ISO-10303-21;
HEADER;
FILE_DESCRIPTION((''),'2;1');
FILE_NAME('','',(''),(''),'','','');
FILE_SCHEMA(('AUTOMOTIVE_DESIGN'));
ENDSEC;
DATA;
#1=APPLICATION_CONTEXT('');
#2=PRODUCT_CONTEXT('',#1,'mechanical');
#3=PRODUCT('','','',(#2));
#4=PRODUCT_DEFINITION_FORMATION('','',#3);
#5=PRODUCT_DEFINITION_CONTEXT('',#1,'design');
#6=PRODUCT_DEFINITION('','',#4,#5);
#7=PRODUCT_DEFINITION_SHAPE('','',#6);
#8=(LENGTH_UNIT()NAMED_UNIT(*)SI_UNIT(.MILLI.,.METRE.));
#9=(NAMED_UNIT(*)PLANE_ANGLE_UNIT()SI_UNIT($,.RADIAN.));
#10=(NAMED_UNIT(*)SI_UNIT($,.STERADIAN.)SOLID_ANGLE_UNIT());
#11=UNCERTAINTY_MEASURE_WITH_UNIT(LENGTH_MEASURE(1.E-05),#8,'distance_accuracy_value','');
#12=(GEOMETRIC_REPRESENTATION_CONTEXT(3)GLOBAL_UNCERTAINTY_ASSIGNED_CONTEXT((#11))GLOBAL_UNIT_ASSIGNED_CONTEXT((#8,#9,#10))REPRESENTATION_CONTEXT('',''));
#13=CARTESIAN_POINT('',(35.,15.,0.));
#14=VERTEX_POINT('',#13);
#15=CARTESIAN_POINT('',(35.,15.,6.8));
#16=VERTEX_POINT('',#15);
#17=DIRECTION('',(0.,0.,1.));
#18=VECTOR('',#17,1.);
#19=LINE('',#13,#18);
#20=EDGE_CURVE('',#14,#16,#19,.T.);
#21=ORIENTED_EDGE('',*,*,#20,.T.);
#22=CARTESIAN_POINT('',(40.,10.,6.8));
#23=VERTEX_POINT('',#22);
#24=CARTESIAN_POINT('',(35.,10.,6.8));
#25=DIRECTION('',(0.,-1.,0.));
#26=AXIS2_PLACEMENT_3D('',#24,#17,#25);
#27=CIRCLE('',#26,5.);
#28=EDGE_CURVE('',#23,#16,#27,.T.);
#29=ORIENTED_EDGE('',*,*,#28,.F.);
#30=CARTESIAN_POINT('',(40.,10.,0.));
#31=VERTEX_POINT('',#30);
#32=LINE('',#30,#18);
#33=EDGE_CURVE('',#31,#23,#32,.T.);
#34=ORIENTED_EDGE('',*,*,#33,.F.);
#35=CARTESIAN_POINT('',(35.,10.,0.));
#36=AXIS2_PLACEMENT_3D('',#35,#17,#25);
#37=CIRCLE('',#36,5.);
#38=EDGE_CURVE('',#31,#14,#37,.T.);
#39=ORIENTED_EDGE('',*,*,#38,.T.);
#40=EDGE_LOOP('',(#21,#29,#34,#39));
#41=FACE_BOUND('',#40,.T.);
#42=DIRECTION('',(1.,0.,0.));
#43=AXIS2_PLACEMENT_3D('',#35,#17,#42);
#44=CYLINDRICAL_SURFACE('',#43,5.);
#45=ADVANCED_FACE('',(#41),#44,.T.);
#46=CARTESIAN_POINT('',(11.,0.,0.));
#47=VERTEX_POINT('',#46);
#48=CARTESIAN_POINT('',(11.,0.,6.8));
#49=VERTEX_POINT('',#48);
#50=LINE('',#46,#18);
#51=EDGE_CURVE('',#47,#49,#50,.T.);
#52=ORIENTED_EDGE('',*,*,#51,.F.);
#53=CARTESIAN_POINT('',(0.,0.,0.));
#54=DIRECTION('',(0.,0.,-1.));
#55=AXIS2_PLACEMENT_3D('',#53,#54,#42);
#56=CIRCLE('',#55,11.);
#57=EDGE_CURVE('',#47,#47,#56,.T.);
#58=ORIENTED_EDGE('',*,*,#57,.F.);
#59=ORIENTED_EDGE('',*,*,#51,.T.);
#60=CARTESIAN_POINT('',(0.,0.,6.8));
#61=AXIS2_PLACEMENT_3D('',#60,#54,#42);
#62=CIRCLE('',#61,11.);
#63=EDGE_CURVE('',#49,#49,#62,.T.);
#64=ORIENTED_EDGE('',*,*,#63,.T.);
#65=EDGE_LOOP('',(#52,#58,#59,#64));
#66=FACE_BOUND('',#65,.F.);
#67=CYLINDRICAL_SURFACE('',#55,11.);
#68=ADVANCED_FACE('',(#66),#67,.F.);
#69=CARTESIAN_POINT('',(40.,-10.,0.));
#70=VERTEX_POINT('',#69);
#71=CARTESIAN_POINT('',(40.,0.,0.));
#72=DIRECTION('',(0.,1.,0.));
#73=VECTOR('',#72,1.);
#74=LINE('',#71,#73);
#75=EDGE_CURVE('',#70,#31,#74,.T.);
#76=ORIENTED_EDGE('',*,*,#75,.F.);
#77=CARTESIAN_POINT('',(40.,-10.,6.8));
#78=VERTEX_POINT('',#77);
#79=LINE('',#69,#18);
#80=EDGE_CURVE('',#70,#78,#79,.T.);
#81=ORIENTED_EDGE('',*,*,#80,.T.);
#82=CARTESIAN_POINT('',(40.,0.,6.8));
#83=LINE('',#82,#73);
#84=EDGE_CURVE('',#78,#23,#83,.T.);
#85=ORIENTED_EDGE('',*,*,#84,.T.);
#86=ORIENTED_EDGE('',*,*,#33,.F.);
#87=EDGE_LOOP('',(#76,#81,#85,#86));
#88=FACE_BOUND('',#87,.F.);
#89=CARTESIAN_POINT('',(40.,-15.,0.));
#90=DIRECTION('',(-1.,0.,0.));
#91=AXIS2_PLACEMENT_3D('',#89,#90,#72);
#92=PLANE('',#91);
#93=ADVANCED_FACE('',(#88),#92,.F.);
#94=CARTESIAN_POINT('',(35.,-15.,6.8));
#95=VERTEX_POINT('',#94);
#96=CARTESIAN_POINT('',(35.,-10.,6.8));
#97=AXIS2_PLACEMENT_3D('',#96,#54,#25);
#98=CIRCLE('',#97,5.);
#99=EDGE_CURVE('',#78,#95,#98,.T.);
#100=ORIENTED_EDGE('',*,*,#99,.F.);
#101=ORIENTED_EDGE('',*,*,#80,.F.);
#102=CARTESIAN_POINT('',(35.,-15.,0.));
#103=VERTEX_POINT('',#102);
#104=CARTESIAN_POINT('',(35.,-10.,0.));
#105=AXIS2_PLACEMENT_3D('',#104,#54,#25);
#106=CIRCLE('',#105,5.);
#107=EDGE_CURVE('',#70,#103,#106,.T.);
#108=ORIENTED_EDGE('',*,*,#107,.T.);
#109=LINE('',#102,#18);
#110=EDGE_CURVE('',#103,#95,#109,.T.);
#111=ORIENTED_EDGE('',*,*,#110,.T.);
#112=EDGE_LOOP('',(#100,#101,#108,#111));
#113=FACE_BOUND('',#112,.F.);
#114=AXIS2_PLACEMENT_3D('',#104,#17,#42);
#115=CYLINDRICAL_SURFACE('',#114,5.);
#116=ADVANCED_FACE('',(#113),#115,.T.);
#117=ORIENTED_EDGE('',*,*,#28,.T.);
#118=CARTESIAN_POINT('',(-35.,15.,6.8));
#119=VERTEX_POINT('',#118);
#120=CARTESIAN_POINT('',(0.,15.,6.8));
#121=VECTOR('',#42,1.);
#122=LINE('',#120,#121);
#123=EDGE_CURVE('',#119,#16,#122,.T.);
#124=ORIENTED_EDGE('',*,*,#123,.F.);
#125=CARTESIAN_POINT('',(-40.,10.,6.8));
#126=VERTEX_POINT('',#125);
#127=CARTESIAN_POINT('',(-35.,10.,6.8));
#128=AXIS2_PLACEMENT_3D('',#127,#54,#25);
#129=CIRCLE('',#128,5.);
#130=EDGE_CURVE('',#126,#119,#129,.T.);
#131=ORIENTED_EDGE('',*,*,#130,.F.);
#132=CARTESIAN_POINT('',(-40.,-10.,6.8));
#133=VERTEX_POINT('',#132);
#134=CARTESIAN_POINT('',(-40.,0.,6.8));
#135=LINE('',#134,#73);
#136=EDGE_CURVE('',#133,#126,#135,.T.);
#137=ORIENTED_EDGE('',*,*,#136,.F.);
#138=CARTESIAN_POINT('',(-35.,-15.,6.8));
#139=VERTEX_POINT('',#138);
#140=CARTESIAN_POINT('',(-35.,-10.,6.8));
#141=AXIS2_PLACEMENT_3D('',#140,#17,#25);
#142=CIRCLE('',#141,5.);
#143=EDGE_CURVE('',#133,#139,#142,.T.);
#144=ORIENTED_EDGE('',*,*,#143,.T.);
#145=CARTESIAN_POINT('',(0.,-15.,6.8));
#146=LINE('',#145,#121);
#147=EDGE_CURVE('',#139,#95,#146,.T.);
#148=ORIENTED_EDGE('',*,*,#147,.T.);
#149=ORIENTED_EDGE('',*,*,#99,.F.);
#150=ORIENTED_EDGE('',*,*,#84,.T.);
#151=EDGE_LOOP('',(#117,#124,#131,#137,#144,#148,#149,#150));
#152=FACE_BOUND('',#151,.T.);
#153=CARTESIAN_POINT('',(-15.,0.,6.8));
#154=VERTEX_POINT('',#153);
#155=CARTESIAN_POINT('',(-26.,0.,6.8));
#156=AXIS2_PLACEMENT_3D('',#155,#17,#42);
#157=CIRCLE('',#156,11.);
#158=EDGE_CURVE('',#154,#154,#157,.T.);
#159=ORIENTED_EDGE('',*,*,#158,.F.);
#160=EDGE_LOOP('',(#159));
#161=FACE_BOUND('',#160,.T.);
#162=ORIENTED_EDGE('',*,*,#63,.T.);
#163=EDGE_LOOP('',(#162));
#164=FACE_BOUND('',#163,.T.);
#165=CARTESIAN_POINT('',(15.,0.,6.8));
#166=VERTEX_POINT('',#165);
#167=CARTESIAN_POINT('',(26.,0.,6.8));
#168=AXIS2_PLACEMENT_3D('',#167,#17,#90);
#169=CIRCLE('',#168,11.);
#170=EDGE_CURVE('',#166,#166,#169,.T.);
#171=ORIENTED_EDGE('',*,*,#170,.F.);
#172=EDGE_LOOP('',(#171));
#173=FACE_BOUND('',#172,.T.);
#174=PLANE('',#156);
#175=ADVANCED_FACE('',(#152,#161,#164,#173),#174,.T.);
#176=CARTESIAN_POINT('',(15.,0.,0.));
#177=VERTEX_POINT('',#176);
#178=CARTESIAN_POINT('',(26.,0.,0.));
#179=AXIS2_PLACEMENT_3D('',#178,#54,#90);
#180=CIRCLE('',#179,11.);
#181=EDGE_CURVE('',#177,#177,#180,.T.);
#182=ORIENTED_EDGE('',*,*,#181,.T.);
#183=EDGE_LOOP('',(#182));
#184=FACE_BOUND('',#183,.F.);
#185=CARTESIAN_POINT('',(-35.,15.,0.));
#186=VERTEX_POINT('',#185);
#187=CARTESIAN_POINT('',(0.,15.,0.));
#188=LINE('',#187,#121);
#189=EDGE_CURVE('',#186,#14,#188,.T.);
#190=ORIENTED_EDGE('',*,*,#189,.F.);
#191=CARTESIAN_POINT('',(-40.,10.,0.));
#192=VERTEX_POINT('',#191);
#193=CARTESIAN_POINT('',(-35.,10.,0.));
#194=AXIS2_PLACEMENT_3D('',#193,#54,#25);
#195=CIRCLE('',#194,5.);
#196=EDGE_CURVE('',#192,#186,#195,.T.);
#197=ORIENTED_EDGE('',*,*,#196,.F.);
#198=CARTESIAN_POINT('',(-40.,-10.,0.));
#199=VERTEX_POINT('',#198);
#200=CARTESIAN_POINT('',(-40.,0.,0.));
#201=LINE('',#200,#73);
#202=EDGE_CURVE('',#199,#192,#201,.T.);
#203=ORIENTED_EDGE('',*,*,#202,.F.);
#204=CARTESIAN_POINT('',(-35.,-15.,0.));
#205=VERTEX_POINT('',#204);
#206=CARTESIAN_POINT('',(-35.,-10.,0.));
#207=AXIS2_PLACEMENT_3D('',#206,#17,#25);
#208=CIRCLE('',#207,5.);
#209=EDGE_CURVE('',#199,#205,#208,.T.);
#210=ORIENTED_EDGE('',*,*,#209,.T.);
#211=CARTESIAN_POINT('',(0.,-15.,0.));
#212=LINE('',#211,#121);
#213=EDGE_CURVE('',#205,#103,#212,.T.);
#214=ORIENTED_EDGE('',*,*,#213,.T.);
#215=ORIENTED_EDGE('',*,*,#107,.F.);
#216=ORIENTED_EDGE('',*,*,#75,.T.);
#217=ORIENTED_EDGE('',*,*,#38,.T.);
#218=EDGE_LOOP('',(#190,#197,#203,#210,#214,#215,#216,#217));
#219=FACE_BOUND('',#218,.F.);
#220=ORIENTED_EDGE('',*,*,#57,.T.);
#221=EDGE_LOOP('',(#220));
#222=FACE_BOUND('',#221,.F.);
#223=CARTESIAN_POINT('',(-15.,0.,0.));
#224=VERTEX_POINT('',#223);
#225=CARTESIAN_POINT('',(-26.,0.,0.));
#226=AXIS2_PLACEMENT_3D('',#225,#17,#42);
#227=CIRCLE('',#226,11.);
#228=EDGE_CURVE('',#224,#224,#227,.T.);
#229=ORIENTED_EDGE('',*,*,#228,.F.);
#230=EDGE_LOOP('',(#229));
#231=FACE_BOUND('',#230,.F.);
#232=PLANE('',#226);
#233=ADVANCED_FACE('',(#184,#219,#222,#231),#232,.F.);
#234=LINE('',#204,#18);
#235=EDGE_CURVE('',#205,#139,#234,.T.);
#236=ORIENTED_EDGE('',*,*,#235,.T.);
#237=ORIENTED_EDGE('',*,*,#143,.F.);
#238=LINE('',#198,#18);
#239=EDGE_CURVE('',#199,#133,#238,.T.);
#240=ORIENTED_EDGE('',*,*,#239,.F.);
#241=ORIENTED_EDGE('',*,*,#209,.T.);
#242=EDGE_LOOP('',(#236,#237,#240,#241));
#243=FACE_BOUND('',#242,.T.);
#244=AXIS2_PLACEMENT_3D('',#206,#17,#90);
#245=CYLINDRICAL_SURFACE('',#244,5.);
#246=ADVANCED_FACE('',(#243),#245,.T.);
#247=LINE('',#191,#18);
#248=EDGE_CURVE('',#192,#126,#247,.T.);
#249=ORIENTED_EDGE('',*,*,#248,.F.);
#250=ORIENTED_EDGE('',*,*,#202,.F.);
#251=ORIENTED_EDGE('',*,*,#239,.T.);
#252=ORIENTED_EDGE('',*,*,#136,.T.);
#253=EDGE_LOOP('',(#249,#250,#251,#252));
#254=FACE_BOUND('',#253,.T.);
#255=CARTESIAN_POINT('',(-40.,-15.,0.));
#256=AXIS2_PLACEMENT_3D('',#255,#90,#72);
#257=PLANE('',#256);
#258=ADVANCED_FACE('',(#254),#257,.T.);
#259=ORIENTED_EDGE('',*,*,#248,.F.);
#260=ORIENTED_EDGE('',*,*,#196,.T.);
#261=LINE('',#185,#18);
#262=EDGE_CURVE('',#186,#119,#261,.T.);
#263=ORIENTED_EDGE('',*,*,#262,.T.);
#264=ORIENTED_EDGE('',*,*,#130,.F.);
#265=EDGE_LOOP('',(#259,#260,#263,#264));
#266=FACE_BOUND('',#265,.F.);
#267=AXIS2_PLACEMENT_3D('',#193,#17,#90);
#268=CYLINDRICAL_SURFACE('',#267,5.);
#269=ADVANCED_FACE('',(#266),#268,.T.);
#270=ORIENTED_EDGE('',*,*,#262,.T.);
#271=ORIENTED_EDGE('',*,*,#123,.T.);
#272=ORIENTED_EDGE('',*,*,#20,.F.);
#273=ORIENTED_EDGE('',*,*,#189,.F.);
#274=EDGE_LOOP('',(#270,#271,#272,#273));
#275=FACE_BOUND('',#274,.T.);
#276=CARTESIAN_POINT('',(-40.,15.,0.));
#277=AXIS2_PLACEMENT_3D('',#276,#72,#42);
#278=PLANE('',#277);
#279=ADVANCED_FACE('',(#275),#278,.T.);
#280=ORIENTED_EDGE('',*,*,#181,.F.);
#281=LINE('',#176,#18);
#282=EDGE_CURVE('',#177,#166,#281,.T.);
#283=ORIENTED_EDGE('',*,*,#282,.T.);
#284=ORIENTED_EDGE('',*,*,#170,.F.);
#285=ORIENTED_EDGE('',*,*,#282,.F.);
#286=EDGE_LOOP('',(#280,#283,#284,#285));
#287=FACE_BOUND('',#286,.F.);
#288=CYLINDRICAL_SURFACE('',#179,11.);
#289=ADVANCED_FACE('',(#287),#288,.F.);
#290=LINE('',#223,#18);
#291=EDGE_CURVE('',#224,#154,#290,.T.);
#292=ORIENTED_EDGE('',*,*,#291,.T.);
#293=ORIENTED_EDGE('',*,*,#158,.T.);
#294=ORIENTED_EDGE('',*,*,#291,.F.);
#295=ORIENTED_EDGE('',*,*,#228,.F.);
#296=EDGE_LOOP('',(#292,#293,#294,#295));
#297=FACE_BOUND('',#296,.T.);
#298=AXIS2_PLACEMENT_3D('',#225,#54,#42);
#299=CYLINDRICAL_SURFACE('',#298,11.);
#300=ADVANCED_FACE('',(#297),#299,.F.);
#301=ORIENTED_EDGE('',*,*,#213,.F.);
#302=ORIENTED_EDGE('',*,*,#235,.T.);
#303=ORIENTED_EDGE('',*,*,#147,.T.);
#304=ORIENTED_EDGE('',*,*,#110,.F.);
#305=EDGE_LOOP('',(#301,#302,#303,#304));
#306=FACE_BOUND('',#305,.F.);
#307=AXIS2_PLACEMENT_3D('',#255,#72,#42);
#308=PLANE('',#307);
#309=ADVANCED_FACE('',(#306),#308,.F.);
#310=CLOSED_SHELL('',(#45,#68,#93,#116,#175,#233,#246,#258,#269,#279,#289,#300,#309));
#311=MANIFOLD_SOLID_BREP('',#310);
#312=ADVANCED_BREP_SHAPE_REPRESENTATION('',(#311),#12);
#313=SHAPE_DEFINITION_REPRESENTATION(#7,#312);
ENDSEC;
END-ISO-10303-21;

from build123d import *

# Parameters (mm, degrees)
F0_R     = 11
F0_W     = 80
F0_H     = 30
F1_DEPTH = 6.8
F2_R     = 11
F3_DEPTH = 25
F4_R     = 5


with BuildPart() as f1:
    # F0 (on Top) → F1 (new body)
    with BuildSketch(Plane.XY):
        with Locations((-26, 0)):
            Circle(F0_R)
        with BuildLine():
            ThreePointArc((37, 0), (26, 11), (15, 0))
            ThreePointArc((15, 0), (26, -11), (37, 0))
        make_face()
        with BuildLine():
            ThreePointArc((-11, 0), (0, -11), (11, 0))
            Line((11, 0), (0, 0))
            Line((0, 0), (-11, 0))
        make_face()
        with BuildLine():
            Line((0, 0), (11, 0))
            ThreePointArc((11, 0), (0, 11), (-11, 0))
            Line((-11, 0), (0, 0))
        make_face()
        Rectangle(F0_W, F0_H)
        with Locations((-26, 0)):
            Circle(F0_R, mode=Mode.SUBTRACT)
        with BuildLine():
            ThreePointArc((-11, 0), (0, 11), (11, 0))
            ThreePointArc((11, 0), (0, -11), (-11, 0))
        make_face(mode=Mode.SUBTRACT)
        with BuildLine():
            ThreePointArc((37, 0), (26, -11), (15, 0))
            ThreePointArc((15, 0), (26, 11), (37, 0))
        make_face(mode=Mode.SUBTRACT)
    extrude(amount=F1_DEPTH)

    # F2 (on face) → F3 (cut)
    with BuildSketch(Plane(origin=(0, 0, 0), x_dir=(1, 0, 0), z_dir=(0, 0, -1))):
        with Locations((26, 0)):
            Circle(F2_R)
        Circle(F2_R)
        with Locations((-26, 0)):
            Circle(F2_R)
    extrude(amount=-F3_DEPTH, mode=Mode.SUBTRACT)

    # F4
    f4_edges = [f1.edges().sort_by_distance(p)[0] for p in [
        (-40, -15, 3.4),
        (-40, 15, 3.4),
        (40, 15, 3.4),
        (40, -15, 3.4),
    ]]
    fillet(f4_edges, radius=F4_R)


solid = f1.part
